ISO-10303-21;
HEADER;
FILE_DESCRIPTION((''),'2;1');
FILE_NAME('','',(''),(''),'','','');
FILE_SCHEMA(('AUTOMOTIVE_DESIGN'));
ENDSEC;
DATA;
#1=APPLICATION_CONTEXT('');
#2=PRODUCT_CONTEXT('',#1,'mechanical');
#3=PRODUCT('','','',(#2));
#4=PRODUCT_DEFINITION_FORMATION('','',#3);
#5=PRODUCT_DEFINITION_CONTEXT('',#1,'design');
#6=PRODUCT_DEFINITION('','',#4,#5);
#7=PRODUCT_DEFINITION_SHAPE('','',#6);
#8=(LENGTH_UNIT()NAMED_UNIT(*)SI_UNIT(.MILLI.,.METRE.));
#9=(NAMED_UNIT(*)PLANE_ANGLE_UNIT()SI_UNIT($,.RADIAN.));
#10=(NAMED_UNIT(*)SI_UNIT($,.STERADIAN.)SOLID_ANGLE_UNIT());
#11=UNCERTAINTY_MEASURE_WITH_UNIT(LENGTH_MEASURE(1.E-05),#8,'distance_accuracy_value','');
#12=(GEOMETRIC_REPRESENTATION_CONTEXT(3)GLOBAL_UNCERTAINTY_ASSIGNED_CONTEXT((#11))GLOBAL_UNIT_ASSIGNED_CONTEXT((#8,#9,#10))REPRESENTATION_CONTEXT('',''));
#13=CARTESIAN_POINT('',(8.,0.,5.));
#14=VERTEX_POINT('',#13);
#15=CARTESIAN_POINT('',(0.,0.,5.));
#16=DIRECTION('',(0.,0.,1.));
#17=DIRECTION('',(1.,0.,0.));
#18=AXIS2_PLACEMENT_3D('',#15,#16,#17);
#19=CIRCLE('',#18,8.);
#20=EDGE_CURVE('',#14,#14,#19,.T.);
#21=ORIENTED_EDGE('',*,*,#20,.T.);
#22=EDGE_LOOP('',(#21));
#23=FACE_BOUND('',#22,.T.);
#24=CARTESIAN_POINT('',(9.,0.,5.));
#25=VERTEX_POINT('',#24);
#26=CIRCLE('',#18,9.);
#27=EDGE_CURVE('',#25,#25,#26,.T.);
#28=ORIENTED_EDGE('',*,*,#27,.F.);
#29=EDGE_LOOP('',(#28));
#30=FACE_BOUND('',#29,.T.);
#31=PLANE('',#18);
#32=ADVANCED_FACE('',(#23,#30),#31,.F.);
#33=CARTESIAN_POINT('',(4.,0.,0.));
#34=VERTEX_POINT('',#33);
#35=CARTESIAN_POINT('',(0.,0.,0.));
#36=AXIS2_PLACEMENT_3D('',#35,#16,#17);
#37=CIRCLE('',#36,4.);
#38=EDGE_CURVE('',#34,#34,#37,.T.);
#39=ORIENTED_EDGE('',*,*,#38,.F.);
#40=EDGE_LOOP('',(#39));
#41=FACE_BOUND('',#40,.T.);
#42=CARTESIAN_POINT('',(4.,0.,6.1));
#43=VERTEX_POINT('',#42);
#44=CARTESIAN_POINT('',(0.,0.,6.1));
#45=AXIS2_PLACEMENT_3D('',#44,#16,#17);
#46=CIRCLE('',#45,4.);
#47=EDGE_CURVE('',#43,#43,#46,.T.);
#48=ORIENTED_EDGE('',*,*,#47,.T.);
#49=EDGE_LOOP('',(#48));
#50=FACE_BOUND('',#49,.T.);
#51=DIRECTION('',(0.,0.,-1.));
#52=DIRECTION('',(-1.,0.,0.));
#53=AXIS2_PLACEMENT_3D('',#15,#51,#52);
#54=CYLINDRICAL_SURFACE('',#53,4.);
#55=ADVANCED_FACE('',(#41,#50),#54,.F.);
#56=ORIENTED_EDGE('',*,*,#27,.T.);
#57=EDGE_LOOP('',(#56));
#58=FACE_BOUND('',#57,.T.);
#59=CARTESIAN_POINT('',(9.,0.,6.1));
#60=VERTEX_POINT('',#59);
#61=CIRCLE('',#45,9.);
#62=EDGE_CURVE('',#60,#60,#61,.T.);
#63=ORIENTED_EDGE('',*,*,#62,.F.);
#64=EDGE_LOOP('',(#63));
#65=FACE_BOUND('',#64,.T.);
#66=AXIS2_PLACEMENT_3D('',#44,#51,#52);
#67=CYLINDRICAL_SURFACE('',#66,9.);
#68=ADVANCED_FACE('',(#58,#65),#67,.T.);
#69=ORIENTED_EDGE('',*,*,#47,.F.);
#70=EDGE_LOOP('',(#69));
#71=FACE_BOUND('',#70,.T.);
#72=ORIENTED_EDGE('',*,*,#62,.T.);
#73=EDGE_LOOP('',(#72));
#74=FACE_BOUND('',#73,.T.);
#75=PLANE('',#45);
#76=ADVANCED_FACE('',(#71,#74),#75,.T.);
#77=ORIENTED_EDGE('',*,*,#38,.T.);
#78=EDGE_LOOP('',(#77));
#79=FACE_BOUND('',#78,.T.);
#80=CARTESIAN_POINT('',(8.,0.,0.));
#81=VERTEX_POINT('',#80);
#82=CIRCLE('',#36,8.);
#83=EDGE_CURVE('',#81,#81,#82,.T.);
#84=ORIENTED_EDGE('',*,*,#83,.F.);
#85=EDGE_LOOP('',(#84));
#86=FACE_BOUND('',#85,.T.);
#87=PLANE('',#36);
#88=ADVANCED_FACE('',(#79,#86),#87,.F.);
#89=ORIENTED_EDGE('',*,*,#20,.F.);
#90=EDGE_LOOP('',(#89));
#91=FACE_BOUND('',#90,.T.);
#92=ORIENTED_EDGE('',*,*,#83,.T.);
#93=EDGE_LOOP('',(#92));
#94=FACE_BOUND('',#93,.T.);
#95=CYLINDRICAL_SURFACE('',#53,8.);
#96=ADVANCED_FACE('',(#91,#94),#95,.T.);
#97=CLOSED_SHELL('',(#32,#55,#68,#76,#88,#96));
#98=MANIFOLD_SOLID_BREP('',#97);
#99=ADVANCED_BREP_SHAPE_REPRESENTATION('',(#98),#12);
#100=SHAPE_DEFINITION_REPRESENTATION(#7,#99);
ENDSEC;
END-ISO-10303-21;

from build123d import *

# Parameters (mm, degrees)
SKETCH_1_R      = 8
SKETCH_1_R_2    = 4
EXTRUDE_1_DEPTH = 5
SKETCH_2_R      = 9
SKETCH_2_R_2    = 4
EXTRUDE_2_DEPTH = 1.1


with BuildPart() as part:
    # 草图1 → 凸台-拉伸1 (new body)
    with BuildSketch(Plane.XY):
        Circle(SKETCH_1_R)
        Circle(SKETCH_1_R_2, mode=Mode.SUBTRACT)
    extrude(amount=EXTRUDE_1_DEPTH)

    # 草图2 → 凸台-拉伸2 (add)
    with BuildSketch(Plane.XY.offset(5)):
        Circle(SKETCH_2_R)
        Circle(SKETCH_2_R_2, mode=Mode.SUBTRACT)
    extrude(amount=EXTRUDE_2_DEPTH)


solid = part.part
